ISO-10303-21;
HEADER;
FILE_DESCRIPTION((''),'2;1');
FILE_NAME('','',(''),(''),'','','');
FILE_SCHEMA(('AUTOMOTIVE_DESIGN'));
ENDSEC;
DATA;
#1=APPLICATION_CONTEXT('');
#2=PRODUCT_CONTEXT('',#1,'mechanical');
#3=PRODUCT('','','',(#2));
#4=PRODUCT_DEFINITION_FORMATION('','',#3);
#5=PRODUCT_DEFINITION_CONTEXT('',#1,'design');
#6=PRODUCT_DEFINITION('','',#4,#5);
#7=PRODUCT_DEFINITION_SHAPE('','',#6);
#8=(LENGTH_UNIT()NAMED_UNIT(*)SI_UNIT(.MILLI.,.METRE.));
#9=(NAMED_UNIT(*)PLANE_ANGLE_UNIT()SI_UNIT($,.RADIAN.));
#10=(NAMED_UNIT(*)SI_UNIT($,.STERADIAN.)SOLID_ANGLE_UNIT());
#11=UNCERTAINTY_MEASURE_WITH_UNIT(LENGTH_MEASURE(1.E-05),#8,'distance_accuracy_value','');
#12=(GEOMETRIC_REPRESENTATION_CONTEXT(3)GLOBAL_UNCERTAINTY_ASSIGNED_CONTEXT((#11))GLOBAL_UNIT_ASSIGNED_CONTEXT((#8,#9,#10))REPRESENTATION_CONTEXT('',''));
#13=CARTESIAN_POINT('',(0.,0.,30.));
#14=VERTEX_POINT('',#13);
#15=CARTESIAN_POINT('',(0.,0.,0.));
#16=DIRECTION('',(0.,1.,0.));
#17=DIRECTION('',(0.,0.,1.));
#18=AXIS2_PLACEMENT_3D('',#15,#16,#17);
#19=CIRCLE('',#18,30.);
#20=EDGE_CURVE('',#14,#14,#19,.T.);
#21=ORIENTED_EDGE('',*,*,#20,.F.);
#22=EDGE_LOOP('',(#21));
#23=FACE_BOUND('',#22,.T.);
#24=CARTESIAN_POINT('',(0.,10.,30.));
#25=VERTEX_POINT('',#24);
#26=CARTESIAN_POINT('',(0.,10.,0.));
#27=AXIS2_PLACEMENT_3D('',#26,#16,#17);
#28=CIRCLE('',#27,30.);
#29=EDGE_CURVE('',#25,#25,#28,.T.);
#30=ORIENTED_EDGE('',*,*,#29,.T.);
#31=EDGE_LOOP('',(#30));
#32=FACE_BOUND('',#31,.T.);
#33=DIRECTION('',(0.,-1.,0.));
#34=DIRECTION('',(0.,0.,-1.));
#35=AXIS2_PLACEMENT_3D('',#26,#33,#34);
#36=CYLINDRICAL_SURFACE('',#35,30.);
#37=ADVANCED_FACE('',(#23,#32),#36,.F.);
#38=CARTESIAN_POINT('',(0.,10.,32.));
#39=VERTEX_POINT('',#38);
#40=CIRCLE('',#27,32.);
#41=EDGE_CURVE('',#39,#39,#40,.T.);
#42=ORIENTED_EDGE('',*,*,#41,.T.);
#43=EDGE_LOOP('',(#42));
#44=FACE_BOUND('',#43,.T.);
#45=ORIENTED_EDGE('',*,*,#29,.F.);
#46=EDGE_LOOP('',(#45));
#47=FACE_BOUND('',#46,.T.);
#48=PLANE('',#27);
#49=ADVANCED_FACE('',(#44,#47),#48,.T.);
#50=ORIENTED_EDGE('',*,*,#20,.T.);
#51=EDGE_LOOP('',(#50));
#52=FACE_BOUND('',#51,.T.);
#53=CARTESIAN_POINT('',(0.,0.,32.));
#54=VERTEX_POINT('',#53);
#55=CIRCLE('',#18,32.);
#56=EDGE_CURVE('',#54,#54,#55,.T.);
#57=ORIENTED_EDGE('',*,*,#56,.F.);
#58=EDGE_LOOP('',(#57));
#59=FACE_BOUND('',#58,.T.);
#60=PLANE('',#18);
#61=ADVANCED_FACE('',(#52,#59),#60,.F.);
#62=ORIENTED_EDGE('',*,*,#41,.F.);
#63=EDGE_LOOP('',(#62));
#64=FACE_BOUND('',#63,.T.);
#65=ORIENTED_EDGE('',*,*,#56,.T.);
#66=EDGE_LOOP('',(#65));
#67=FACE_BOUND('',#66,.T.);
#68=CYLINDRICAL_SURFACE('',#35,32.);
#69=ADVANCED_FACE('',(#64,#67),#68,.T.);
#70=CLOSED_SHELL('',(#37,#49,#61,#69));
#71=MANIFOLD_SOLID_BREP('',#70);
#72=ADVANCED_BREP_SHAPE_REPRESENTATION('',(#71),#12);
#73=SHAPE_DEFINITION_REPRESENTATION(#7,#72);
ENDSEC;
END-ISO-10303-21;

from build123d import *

# Parameters (mm, degrees)
SKETCH1_R           = 32
SKETCH1_R_2         = 30
BOSS_EXTRUDE1_DEPTH = 10


with BuildPart() as part:
    # Sketch1 → Boss-Extrude1 (new body)
    with BuildSketch(Plane(origin=(0, 0, 0), x_dir=(1, 0, 0), z_dir=(0, 1, 0))):
        with Locations(Location((0, 0, 0), (0, 0, 270))):  # turned: the seam where the file's is
            Circle(SKETCH1_R)
        with Locations(Location((0, 0, 0), (0, 0, 270))):  # turned: the seam where the file's is
            Circle(SKETCH1_R_2, mode=Mode.SUBTRACT)
    extrude(amount=BOSS_EXTRUDE1_DEPTH)


solid = part.part
